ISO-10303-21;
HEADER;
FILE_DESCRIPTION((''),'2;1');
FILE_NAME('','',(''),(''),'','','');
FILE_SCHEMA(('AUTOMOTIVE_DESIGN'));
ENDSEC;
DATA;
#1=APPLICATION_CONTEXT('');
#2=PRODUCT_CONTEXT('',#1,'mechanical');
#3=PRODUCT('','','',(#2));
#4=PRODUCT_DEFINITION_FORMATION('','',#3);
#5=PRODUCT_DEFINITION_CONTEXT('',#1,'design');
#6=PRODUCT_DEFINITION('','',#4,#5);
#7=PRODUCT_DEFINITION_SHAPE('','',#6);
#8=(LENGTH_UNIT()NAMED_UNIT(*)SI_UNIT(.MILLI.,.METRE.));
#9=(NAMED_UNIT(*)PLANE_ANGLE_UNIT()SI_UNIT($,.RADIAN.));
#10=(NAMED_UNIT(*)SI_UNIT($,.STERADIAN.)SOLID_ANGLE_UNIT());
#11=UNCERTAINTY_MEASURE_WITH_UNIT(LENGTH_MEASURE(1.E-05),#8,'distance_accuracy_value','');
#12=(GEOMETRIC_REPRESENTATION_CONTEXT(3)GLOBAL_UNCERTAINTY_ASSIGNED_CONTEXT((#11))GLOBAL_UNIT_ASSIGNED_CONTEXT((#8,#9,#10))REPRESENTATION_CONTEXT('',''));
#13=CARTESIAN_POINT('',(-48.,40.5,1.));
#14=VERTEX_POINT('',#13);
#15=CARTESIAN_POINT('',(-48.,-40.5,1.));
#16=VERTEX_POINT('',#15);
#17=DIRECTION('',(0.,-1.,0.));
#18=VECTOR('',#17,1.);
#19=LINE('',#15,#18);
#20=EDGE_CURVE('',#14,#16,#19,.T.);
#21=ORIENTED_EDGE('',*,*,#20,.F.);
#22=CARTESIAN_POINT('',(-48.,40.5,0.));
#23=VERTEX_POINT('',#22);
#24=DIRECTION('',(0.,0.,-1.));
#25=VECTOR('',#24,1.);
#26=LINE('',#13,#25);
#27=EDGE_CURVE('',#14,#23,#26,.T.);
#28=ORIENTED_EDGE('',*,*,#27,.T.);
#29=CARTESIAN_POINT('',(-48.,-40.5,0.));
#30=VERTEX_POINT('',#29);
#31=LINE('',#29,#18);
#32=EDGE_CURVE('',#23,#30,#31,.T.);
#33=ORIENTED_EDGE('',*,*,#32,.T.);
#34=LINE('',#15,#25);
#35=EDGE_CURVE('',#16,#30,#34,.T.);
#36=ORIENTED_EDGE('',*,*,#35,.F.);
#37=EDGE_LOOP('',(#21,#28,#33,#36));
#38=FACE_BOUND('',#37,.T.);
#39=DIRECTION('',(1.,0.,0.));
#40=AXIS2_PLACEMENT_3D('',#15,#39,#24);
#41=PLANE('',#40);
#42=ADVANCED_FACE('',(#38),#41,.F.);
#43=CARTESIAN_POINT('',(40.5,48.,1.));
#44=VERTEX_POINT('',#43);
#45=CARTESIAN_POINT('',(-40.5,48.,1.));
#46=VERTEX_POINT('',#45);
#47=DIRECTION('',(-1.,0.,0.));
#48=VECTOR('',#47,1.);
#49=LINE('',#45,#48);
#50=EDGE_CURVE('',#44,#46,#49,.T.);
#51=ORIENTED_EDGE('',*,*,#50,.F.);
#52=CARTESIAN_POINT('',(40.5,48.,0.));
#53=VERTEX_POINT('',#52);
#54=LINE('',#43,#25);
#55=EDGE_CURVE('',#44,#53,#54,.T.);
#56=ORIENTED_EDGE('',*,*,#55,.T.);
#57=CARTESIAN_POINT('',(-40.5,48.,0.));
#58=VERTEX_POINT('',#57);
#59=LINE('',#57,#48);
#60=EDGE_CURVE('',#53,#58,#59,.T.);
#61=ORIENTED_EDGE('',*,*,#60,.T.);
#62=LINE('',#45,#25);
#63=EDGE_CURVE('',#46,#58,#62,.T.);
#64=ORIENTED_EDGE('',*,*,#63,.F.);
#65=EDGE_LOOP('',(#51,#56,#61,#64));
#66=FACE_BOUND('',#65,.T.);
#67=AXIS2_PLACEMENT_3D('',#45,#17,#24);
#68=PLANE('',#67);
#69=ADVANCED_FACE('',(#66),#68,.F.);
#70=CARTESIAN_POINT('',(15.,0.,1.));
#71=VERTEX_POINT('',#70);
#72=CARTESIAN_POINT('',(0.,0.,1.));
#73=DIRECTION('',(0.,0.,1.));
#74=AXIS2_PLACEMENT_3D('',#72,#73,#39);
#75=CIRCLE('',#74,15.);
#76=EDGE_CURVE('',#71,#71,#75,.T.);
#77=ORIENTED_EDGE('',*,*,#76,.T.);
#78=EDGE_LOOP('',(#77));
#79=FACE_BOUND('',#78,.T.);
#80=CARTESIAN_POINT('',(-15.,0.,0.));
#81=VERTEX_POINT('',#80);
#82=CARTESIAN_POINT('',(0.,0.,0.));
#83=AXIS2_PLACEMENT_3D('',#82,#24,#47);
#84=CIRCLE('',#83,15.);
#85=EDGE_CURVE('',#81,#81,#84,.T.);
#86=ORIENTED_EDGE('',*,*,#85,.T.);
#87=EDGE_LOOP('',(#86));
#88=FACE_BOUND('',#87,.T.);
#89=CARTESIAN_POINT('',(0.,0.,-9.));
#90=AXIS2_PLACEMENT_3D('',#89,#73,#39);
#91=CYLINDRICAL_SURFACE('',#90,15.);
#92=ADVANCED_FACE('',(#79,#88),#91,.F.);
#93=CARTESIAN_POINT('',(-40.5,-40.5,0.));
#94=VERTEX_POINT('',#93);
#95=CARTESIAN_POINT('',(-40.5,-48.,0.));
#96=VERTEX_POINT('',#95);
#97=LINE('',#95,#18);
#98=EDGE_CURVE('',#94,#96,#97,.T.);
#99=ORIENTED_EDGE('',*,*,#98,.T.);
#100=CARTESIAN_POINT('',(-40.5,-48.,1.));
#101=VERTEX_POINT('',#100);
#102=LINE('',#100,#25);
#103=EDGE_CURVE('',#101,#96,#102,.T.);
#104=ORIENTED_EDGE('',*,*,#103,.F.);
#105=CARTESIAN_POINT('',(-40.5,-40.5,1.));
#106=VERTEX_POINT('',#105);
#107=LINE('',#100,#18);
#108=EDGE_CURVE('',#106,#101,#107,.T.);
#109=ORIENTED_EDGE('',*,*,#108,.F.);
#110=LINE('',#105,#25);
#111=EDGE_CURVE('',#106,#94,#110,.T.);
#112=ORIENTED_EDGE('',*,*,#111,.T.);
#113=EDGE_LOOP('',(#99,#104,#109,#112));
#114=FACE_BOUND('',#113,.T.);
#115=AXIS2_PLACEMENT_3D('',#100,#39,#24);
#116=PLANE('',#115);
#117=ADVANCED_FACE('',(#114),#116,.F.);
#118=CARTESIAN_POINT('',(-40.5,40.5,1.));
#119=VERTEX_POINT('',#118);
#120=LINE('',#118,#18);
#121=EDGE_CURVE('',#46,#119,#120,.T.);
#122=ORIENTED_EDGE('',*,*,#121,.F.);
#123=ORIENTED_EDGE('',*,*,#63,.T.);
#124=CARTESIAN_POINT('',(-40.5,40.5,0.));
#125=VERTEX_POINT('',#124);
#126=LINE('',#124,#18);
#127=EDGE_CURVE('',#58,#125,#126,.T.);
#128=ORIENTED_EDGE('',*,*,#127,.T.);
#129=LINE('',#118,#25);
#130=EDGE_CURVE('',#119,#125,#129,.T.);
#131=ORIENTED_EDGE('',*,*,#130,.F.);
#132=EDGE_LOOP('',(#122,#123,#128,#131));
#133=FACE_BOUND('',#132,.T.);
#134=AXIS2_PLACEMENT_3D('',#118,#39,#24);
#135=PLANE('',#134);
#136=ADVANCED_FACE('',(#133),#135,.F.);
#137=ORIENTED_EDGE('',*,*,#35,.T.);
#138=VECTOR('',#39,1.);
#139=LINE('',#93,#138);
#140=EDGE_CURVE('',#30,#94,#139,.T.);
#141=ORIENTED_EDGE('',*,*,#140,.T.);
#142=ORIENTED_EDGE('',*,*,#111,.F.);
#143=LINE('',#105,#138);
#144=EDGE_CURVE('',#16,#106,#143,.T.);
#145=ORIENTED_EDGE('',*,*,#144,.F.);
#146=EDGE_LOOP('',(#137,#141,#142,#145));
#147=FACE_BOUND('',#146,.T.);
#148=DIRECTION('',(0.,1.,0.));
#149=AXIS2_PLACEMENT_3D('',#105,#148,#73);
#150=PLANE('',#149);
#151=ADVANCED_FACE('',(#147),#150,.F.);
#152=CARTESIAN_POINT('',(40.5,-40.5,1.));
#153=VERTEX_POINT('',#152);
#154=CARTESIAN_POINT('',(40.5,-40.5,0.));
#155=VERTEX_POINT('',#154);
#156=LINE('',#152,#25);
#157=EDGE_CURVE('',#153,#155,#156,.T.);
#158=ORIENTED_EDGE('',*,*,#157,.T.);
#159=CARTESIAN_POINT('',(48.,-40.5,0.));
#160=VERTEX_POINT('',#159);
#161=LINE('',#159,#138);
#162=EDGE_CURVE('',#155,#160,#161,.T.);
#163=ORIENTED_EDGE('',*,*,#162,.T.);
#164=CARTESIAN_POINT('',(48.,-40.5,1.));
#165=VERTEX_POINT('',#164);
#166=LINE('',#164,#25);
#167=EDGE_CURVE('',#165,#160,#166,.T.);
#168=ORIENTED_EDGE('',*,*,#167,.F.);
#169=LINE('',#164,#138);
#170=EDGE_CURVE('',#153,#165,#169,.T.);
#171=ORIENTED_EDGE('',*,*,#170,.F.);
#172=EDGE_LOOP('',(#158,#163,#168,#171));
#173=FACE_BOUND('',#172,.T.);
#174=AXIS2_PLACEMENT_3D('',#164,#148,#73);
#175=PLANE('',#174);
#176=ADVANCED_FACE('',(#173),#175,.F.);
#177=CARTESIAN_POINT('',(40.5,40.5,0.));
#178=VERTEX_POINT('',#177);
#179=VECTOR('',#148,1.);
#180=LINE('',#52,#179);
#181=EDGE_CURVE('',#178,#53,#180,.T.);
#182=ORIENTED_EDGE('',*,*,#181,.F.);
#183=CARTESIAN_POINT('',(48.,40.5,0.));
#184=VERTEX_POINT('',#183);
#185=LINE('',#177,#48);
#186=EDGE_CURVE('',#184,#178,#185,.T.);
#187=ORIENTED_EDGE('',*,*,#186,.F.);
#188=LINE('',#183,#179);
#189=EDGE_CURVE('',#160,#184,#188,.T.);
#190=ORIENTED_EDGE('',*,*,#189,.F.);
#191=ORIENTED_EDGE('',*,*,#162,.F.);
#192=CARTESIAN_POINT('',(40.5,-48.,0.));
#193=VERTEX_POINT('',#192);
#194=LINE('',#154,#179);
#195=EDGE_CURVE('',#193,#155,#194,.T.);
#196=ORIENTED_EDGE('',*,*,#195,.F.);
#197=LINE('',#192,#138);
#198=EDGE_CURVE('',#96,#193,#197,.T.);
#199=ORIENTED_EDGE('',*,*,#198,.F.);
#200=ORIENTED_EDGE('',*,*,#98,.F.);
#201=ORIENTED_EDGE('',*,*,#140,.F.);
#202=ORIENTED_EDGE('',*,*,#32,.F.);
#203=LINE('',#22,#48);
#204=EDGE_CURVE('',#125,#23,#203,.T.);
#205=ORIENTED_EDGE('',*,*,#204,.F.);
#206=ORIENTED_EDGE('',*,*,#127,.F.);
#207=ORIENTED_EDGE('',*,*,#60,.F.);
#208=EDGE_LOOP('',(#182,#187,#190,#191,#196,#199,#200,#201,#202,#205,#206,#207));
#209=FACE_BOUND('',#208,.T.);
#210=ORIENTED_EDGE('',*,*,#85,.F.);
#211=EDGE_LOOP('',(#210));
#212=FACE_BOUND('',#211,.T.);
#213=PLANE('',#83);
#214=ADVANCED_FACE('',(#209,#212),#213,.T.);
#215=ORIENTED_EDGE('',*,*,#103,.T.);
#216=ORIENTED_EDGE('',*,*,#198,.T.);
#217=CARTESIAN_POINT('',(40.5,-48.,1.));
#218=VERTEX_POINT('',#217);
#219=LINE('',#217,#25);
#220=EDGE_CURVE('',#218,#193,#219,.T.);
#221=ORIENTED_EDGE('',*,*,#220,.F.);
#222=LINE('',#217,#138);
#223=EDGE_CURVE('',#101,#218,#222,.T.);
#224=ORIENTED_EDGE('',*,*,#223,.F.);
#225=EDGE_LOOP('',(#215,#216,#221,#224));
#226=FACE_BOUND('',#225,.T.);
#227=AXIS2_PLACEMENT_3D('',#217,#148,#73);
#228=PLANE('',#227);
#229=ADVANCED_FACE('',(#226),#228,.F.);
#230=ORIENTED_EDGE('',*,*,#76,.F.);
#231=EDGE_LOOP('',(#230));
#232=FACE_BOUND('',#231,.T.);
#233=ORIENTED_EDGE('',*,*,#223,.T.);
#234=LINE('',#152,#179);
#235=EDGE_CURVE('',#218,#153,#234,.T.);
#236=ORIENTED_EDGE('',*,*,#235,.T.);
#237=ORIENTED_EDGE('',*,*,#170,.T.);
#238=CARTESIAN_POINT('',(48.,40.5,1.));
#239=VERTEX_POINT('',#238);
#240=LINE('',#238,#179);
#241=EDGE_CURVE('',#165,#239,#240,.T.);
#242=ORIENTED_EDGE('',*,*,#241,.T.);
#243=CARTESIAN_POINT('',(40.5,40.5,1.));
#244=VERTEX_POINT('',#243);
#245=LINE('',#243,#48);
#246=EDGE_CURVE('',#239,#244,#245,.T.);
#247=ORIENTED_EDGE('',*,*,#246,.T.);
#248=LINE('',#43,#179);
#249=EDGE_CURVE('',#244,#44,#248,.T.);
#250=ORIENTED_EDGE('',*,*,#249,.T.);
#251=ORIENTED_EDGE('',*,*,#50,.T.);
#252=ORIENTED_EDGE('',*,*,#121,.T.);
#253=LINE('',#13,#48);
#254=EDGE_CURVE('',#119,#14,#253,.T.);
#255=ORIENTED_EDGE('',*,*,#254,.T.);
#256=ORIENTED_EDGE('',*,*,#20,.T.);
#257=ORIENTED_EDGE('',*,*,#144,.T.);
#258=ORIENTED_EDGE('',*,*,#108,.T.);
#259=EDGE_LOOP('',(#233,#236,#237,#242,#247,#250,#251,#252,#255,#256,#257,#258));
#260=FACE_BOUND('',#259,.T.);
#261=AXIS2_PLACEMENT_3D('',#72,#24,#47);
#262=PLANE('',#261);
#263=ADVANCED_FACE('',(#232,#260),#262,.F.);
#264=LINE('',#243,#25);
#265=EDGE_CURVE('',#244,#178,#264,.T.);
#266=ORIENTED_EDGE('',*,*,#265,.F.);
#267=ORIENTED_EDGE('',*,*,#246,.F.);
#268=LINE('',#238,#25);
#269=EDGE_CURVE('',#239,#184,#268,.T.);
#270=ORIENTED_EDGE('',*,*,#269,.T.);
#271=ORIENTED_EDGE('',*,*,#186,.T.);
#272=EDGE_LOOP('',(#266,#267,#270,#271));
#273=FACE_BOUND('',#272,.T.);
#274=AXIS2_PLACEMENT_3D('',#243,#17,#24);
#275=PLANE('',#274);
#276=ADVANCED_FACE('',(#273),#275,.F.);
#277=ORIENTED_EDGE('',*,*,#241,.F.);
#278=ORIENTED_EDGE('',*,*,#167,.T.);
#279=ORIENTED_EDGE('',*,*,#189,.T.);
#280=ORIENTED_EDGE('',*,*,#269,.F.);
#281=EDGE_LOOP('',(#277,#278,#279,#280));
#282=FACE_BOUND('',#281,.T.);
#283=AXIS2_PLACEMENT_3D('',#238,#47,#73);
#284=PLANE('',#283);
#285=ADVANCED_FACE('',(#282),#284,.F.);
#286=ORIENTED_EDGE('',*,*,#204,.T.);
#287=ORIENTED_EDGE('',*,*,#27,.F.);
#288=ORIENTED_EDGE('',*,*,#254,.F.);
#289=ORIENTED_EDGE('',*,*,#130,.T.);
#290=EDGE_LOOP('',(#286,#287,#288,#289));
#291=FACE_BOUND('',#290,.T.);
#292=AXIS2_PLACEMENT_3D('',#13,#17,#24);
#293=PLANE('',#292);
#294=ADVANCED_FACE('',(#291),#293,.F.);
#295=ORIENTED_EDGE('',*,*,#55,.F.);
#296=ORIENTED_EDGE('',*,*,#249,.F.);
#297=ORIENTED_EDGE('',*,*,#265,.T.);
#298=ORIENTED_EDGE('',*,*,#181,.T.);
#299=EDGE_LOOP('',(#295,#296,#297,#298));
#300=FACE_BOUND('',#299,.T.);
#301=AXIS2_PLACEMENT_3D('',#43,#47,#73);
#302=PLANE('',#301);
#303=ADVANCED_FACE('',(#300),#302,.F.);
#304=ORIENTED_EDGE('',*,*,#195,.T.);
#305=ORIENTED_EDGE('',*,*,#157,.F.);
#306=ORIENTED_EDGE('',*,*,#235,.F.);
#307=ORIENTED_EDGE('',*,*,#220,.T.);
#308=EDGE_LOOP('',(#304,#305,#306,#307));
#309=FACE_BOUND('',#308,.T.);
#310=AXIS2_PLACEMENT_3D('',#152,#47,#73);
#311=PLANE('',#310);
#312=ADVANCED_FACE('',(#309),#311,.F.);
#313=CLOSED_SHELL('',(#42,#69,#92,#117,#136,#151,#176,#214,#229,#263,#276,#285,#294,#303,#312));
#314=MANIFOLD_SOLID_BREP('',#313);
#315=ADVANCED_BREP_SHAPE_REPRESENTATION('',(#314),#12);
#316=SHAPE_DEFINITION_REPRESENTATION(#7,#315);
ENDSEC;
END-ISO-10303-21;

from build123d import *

# Parameters (mm, degrees)
BOSS_EXTRUDE1_DEPTH = 1
SKETCH2_R           = 15
CUT_EXTRUDE1_DEPTH  = 10


with BuildPart() as part:
    # Sketch1 → Boss-Extrude1 (new body)
    with BuildSketch(Plane.XY):
        Polygon((-48, 40.5), (-40.5, 40.5), (-40.5, 48), (40.5, 48), (40.5, 40.5), (48, 40.5), (48, -40.5), (40.5, -40.5), (40.5, -48), (-40.5, -48), (-40.5, -40.5), (-48, -40.5), align=None)
    extrude(amount=BOSS_EXTRUDE1_DEPTH)

    # Sketch2 → Cut-Extrude1 (cut)
    with BuildSketch(Plane.XY.offset(1)):
        Circle(SKETCH2_R)
    extrude(amount=-CUT_EXTRUDE1_DEPTH, mode=Mode.SUBTRACT)


solid = part.part
